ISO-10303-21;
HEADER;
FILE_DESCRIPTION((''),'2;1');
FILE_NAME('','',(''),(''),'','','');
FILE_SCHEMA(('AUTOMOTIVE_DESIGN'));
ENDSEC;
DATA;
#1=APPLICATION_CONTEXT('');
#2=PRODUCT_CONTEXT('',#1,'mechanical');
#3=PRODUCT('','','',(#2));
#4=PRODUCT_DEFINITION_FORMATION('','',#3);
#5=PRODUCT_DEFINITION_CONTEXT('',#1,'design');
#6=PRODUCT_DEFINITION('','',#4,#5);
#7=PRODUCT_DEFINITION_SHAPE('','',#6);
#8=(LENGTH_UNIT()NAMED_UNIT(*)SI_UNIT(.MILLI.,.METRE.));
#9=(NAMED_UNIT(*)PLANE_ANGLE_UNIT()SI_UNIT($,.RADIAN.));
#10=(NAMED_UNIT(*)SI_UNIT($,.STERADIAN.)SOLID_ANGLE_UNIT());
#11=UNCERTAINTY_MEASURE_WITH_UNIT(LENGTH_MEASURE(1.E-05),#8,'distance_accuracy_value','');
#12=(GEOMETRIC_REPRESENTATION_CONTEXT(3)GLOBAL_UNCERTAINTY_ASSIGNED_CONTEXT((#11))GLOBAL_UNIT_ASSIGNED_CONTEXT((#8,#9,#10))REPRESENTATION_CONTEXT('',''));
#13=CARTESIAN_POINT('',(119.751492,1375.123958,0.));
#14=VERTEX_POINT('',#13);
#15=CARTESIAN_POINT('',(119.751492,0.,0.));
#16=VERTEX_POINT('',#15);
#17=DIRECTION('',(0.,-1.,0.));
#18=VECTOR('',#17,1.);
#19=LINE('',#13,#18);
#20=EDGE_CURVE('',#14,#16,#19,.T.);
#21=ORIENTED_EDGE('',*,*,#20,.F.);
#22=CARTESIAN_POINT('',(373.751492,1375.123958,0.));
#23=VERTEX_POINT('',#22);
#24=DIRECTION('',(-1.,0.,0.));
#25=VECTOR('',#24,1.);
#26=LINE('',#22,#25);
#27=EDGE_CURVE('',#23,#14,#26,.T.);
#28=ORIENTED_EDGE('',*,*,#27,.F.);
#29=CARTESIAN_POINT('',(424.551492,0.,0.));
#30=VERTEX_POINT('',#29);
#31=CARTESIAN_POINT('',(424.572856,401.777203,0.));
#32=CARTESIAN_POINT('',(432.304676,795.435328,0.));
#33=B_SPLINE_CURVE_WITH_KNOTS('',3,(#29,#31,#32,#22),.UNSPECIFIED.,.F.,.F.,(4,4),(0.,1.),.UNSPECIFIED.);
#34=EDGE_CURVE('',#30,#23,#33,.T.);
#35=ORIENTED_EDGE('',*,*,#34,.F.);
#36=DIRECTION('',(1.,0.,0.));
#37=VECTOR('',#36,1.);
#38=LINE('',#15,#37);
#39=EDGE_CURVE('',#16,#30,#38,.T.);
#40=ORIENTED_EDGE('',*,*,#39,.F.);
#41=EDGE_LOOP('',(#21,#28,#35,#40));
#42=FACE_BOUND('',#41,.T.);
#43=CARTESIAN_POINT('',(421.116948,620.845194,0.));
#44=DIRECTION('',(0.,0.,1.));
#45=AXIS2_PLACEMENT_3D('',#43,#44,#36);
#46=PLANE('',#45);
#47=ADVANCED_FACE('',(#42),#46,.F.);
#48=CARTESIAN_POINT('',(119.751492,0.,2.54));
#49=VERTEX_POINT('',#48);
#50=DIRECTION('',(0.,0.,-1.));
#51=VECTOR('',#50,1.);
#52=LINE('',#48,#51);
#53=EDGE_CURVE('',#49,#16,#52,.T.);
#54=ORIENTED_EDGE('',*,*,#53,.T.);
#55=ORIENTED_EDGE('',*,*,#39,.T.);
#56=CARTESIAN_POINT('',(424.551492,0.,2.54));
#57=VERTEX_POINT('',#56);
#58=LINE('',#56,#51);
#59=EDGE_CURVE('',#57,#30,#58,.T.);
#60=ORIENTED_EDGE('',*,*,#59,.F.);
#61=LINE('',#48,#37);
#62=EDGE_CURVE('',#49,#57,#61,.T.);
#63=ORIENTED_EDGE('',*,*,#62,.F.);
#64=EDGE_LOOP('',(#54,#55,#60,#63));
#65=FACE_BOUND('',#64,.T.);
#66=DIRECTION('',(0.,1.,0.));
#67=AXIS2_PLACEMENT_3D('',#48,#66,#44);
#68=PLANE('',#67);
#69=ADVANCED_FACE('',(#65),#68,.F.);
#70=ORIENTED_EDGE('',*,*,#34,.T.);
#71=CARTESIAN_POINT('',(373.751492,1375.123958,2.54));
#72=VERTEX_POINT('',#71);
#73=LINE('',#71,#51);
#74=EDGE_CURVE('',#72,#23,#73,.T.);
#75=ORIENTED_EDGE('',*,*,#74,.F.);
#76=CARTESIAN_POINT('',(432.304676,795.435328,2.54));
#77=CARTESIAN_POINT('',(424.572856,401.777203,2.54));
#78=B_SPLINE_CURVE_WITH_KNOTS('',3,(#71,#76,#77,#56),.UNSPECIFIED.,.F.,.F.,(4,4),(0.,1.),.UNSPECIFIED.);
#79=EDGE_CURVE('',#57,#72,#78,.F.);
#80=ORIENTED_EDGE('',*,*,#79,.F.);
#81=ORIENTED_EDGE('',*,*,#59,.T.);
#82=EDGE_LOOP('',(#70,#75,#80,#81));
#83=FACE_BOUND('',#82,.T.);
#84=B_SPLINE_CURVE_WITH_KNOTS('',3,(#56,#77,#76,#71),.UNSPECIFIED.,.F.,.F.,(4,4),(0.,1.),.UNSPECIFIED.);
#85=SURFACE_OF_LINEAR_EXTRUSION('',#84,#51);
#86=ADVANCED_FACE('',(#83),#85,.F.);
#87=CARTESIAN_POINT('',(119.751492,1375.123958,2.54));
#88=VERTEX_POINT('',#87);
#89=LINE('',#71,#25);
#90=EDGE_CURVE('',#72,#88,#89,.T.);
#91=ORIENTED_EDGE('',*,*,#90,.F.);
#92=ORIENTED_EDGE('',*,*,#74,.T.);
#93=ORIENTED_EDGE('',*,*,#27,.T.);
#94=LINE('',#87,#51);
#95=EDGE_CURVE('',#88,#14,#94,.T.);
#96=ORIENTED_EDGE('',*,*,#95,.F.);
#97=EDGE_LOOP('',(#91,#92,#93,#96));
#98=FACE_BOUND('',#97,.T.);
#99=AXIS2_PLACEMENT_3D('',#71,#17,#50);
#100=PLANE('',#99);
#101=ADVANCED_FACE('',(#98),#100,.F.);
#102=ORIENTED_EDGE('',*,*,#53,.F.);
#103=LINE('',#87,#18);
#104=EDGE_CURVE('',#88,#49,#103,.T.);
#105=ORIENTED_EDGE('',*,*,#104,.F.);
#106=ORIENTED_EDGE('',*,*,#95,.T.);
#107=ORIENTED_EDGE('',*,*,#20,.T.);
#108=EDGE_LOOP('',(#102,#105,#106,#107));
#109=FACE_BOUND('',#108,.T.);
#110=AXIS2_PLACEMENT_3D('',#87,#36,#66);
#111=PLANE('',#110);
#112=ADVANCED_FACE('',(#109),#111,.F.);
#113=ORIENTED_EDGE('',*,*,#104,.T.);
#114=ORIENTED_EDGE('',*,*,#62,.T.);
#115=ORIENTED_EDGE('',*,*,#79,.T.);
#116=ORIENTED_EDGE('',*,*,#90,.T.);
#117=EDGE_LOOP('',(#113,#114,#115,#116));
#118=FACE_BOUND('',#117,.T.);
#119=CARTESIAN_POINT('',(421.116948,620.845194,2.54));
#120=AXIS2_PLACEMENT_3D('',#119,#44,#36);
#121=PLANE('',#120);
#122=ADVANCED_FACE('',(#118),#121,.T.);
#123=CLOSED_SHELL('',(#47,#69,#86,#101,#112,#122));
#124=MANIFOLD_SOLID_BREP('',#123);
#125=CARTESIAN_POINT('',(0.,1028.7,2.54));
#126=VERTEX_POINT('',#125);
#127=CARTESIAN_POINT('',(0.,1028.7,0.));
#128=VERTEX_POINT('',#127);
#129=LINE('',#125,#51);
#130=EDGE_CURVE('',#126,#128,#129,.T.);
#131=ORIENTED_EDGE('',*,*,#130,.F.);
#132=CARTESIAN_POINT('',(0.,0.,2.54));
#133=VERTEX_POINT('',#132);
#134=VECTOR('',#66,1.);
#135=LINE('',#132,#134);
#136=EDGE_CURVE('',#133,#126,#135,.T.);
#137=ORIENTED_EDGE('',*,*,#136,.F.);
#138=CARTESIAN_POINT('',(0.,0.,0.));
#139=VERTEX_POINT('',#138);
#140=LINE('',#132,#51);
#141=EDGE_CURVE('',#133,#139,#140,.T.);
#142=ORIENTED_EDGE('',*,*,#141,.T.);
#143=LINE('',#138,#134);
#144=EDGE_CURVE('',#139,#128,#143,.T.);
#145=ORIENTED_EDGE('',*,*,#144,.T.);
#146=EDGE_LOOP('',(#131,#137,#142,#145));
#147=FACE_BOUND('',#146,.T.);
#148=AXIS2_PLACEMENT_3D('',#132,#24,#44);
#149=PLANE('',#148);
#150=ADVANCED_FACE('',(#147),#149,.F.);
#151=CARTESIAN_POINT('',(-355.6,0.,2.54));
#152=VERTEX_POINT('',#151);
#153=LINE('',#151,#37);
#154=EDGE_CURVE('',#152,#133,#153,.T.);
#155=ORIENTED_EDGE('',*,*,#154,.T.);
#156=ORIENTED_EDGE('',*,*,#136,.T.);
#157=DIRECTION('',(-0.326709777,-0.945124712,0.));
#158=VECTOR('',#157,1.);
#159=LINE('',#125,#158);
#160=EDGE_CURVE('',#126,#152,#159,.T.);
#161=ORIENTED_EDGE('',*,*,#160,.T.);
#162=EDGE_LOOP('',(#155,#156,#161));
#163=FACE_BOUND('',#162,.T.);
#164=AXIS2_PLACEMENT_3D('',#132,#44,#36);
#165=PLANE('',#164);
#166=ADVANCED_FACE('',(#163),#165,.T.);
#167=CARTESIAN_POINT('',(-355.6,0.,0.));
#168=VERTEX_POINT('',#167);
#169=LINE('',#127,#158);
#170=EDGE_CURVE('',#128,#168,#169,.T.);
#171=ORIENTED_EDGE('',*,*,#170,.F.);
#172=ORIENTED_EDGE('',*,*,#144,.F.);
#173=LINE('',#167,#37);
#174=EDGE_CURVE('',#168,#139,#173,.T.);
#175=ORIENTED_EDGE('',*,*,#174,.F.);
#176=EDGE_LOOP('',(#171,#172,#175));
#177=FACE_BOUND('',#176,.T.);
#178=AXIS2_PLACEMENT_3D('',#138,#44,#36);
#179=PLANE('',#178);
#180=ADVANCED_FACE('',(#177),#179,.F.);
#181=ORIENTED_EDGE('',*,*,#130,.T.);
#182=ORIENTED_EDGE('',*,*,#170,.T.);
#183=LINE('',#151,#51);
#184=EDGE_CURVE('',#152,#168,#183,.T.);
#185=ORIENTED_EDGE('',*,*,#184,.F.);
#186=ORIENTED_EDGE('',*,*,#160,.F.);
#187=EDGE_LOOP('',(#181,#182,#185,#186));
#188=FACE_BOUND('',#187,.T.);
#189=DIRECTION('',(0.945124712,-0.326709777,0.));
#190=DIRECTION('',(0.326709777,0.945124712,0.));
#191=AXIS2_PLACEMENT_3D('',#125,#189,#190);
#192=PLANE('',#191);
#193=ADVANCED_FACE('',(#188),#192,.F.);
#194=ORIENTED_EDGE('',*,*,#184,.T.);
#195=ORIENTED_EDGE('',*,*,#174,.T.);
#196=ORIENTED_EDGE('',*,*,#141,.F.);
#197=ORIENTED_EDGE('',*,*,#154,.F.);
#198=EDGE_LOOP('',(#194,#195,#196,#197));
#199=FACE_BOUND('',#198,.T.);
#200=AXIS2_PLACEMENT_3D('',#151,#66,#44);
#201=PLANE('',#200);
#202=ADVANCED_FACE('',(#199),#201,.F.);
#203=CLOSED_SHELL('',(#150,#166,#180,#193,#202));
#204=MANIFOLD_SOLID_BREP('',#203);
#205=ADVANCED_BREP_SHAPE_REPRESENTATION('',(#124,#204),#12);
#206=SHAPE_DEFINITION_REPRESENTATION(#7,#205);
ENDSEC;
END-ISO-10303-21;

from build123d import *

# Parameters (mm, degrees)
BOSS_EXTRUDE1_DEPTH   = 2.54
BOSS_EXTRUDE1_2_DEPTH = 2.54


with BuildPart() as part:
    # Sketch1 → Boss-Extrude1 (new body)
    with BuildSketch(Plane.XY):
        Polygon((0, 0), (0, 1028.7), (-355.6, 0), align=None)
    extrude(amount=BOSS_EXTRUDE1_DEPTH)


with BuildPart() as body_2:
    # Sketch1 → Boss-Extrude1 2 (new body)
    with BuildSketch(Plane.XY):
        with BuildLine():
            Line((373.751491802, 1375.123958426), (119.751491802, 1375.123958426))
            Line((119.751491802, 1375.123958426), (119.751491802, 0))
            Line((119.751491802, 0), (424.551491802, 0))
            add(Edge.make_bspline(
                [(424.551491802, 0), (424.57285643, 401.777203165), (432.304675958, 795.435328411), (373.751491802, 1375.123958426)],
                knots=[0, 0, 0, 0, 1, 1, 1, 1], degree=3))
        make_face()
    extrude(amount=BOSS_EXTRUDE1_2_DEPTH)


solid = Compound([part.part, body_2.part])
